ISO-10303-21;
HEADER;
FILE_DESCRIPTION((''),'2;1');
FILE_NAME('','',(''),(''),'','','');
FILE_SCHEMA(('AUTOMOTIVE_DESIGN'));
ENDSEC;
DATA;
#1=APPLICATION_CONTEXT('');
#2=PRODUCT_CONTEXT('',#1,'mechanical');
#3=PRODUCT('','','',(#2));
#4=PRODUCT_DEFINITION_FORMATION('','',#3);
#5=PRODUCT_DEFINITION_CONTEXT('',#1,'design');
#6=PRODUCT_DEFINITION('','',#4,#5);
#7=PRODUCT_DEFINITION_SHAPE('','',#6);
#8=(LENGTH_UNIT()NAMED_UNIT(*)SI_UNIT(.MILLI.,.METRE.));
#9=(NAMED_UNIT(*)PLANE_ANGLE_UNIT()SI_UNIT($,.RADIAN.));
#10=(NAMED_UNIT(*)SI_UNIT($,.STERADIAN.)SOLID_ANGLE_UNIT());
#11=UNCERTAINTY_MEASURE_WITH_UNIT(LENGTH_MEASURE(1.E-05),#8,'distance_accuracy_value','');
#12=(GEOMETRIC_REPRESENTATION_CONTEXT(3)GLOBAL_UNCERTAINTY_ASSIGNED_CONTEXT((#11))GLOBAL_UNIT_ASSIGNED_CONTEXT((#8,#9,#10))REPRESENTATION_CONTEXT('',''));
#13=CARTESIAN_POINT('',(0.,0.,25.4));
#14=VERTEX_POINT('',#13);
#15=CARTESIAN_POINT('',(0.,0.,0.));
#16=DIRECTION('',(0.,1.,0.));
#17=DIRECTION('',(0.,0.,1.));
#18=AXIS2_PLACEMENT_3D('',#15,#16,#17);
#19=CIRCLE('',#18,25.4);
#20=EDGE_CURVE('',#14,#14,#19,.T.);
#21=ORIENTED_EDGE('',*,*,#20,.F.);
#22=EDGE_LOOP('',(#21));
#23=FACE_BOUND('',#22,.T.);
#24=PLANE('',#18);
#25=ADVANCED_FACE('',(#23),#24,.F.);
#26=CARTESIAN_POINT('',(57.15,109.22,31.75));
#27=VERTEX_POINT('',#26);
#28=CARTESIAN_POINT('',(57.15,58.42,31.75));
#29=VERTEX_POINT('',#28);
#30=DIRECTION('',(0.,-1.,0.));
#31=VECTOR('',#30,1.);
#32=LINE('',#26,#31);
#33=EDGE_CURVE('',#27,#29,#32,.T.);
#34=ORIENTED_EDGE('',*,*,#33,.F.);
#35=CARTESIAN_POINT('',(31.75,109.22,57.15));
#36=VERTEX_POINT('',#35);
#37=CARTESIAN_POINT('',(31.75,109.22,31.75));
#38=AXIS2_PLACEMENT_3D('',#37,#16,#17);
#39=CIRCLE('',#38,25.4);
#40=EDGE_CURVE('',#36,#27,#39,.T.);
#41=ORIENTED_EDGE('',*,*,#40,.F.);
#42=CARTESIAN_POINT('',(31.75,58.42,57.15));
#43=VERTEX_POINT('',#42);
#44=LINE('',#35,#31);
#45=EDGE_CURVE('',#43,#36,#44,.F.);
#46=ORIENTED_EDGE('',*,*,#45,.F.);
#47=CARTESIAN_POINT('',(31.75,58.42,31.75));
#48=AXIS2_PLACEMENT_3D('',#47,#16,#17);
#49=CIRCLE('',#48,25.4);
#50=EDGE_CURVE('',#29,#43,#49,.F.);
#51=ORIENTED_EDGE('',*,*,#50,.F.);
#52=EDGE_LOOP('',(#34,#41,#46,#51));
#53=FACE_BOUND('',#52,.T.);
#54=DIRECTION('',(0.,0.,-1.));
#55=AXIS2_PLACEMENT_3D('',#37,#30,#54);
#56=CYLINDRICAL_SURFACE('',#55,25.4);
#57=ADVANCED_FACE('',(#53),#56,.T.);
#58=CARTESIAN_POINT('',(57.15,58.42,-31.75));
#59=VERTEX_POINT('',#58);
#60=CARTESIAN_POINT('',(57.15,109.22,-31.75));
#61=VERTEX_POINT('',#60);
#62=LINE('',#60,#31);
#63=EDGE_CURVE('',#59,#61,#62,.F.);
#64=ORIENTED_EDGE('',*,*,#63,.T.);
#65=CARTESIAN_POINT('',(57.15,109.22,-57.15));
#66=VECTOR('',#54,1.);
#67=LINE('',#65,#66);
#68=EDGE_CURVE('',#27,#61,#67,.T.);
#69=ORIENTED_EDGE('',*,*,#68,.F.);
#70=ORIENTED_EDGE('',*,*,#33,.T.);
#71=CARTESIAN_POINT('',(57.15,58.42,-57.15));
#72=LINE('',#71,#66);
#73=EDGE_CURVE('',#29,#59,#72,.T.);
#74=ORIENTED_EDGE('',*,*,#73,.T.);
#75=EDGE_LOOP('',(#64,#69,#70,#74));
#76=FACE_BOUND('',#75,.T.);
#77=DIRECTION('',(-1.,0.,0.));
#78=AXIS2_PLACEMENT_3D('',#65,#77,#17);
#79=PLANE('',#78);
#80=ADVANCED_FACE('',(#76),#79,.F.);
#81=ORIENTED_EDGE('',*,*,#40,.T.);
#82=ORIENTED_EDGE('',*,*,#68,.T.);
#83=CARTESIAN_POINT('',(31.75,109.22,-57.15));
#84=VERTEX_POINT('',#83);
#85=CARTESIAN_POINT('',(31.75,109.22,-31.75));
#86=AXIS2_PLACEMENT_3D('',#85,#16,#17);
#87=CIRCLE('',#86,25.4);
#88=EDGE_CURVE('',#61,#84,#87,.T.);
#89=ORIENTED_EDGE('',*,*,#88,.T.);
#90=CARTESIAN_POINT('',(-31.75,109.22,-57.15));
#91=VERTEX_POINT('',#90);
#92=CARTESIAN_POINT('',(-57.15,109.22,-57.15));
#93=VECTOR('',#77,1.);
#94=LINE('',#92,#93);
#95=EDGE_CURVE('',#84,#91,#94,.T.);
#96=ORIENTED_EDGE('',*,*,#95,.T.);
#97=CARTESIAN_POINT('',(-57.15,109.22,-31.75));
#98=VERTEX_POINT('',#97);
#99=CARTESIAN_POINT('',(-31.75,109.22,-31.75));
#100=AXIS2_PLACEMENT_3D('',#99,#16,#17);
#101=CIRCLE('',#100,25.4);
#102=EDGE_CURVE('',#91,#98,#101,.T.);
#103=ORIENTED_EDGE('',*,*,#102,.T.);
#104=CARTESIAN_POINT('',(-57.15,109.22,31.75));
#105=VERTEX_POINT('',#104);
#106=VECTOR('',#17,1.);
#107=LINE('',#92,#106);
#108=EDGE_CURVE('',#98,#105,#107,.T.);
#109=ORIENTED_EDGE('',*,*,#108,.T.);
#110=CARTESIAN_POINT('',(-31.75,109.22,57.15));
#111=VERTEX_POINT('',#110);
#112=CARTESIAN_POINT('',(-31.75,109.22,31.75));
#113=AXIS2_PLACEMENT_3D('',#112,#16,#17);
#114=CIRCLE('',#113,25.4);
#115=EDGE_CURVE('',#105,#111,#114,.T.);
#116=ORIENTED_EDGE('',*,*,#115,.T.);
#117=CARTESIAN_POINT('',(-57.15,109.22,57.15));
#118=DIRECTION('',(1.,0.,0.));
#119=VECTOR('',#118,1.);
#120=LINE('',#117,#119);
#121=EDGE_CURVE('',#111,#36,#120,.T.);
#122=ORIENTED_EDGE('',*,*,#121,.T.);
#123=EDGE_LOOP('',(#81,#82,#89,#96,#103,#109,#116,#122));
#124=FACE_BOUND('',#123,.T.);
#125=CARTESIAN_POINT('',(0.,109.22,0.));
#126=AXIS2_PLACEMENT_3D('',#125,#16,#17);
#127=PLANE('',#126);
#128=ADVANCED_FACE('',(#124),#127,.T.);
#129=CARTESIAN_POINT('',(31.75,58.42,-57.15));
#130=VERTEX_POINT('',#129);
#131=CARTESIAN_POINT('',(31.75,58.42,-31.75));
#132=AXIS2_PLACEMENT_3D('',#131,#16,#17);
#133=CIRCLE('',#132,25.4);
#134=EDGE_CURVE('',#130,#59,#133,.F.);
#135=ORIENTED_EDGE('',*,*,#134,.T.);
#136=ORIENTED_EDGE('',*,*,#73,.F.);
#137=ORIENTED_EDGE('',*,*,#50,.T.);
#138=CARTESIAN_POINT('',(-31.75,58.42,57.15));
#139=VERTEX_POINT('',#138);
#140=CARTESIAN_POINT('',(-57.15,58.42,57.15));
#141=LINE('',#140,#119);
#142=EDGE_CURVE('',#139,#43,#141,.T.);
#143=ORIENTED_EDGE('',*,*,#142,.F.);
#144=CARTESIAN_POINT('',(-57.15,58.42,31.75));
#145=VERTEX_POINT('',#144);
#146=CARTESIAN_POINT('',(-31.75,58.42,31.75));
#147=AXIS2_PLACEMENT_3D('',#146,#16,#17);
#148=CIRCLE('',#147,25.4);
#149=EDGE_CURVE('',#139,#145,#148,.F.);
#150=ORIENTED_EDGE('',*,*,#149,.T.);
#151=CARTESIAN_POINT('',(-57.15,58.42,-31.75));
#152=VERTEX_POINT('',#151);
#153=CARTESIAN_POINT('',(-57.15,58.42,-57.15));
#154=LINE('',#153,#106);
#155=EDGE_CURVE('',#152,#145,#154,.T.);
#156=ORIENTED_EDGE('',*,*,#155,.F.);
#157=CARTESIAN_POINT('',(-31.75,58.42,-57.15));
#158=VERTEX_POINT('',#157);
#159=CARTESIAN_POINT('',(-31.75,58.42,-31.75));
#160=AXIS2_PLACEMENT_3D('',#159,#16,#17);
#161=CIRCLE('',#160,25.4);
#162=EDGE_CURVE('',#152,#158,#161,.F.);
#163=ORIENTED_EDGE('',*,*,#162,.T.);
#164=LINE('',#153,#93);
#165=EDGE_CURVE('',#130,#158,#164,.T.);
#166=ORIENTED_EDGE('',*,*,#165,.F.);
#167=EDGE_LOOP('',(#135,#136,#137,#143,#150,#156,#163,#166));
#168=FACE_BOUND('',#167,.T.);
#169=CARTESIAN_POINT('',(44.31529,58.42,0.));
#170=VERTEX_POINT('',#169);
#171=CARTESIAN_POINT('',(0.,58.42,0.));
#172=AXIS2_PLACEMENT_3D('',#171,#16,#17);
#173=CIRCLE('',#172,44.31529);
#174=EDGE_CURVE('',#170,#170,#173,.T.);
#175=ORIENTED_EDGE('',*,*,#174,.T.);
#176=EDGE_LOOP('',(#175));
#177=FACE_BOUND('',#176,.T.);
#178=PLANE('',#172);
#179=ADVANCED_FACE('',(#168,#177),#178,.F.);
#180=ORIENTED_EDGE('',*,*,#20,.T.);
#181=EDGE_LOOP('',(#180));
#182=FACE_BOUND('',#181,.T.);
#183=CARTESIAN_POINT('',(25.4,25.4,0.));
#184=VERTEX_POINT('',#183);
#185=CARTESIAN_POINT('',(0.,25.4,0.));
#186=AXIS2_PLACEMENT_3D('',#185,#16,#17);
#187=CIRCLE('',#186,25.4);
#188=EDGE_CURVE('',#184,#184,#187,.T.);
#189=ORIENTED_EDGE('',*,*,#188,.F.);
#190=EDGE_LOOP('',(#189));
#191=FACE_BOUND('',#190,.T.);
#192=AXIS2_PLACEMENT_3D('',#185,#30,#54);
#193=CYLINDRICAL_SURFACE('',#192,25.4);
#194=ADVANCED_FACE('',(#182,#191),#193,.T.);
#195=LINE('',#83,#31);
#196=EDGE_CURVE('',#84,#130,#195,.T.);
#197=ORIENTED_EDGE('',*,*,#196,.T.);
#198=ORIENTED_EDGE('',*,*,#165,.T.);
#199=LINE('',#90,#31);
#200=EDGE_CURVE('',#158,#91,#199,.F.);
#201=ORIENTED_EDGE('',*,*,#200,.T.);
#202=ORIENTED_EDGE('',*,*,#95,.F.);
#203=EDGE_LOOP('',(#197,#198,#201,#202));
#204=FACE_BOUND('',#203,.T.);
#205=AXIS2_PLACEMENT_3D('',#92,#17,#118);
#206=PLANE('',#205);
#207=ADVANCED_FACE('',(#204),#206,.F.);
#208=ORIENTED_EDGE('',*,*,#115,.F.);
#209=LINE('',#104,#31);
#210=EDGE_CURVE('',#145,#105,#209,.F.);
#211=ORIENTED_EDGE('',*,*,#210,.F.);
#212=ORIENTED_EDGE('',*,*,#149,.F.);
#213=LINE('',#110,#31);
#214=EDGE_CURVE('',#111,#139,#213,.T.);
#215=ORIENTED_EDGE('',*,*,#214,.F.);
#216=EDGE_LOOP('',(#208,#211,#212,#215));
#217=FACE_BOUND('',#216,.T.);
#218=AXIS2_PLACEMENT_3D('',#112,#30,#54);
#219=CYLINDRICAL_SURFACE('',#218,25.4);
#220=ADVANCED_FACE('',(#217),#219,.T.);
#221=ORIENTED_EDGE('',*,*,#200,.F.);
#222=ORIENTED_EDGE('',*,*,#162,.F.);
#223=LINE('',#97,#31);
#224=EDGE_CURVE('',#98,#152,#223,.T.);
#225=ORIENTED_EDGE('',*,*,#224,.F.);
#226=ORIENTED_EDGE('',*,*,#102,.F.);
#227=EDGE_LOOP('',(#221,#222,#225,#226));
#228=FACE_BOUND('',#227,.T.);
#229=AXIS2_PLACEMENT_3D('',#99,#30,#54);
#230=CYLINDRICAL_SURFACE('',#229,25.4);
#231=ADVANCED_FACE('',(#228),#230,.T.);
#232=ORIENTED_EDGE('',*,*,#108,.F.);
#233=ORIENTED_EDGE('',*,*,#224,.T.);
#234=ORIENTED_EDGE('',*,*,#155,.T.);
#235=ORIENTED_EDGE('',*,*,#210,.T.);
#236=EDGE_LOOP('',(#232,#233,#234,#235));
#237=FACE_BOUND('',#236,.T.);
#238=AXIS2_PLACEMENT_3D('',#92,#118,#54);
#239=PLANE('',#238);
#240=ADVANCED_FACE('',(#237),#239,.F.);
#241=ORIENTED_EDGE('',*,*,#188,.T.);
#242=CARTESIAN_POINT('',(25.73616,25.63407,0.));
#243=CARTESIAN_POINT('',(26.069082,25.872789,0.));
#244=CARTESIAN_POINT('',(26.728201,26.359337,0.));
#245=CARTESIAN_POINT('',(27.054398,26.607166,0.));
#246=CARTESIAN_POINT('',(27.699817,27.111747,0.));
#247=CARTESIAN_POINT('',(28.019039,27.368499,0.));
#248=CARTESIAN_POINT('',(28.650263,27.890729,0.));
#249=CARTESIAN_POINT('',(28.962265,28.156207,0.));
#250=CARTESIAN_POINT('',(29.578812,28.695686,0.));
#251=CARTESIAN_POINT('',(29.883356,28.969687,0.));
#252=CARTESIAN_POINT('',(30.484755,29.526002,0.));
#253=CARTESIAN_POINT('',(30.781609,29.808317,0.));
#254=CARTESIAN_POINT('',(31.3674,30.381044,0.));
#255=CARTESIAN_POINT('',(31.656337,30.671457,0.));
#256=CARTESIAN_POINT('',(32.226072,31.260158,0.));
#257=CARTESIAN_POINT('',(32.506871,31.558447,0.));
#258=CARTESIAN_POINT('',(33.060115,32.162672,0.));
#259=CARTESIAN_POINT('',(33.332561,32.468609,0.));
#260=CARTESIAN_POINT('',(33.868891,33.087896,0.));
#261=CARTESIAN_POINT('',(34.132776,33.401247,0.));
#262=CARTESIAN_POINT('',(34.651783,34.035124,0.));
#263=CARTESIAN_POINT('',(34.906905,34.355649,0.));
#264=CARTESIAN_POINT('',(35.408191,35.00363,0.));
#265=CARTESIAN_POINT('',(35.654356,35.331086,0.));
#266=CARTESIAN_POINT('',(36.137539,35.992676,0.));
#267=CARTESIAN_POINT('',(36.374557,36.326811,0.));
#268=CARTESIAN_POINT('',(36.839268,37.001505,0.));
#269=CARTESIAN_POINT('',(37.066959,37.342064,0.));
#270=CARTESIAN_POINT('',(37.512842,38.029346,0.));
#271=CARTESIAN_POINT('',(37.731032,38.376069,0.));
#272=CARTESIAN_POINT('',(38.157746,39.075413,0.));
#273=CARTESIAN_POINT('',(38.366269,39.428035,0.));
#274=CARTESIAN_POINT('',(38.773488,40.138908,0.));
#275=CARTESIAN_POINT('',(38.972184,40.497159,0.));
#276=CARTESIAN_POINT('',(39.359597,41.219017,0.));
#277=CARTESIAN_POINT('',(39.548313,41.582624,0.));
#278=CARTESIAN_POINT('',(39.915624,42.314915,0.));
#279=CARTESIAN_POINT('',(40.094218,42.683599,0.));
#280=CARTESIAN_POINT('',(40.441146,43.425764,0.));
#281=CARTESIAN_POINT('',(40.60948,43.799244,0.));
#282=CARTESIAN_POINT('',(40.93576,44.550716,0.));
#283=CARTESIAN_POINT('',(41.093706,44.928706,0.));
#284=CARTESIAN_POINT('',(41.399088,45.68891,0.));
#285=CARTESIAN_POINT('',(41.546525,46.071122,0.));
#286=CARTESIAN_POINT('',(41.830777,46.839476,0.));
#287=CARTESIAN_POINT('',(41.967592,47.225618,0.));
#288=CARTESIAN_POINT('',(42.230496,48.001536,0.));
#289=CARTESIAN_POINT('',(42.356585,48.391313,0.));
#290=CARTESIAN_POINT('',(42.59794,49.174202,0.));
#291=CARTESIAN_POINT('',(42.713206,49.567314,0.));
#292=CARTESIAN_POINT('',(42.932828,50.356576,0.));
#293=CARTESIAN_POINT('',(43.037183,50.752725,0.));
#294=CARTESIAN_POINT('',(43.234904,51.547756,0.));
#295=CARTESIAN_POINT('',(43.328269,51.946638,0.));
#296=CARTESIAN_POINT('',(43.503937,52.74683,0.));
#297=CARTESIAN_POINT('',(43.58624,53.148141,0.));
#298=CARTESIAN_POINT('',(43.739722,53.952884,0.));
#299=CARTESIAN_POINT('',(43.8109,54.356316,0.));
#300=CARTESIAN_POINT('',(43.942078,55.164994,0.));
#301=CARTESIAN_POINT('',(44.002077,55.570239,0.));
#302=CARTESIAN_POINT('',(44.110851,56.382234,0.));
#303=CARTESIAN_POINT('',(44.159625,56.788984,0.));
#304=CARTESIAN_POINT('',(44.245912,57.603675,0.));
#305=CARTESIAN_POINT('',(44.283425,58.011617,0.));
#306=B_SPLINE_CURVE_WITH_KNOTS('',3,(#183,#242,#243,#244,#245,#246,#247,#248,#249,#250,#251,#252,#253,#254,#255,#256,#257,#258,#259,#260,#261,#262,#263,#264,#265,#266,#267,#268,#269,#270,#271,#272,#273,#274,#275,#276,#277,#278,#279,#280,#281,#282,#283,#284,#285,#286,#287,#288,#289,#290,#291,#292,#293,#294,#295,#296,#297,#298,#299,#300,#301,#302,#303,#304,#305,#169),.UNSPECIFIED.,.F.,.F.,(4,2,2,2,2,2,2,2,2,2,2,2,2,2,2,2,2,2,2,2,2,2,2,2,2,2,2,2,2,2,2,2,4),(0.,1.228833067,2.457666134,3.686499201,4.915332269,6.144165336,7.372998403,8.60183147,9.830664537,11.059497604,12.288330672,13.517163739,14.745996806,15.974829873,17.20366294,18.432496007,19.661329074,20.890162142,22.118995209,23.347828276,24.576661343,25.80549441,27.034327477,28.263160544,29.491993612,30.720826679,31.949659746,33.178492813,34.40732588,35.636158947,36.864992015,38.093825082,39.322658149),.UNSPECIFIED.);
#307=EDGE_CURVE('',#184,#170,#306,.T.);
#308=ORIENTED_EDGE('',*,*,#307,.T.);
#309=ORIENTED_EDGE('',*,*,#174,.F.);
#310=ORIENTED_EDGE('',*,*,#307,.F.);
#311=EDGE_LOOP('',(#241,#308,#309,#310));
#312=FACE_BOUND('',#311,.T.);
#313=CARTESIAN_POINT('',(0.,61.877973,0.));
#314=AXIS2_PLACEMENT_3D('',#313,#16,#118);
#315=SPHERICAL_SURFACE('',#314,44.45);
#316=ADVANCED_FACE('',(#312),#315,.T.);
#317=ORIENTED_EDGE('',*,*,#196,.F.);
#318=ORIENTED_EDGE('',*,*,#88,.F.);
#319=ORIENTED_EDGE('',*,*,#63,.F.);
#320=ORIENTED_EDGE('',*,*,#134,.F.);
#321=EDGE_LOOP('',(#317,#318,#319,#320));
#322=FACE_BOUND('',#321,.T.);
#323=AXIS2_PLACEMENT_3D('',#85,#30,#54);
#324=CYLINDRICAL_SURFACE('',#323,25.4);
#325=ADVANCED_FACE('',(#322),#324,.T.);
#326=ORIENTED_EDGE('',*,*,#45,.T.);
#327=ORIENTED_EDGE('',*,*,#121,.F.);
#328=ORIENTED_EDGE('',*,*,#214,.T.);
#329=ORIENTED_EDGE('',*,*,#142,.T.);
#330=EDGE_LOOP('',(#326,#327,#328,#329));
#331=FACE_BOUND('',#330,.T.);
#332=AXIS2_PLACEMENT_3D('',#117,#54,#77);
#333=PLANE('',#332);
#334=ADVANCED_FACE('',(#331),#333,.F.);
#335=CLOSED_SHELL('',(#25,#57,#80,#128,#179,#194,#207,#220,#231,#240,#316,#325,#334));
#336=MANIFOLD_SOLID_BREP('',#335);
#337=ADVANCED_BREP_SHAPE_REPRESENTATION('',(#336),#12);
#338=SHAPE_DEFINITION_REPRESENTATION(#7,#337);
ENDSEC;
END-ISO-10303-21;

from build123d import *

# Parameters (mm, degrees)
SKETCH1_R           = 25.4
BOSS_EXTRUDE1_DEPTH = 25.4
SKETCH3_W           = 114.3
SKETCH3_H           = 114.3
BOSS_EXTRUDE2_DEPTH = 50.8
FILLET1_R           = 25.4


with BuildPart() as part:
    # Sketch1 → Boss-Extrude1 (new body)
    with BuildSketch(Plane(origin=(0, 0, 0), x_dir=(1, 0, 0), z_dir=(0, 1, 0))):
        with Locations(Location((0, 0, 0), (0, 0, 270))):
            Circle(SKETCH1_R)
    extrude(amount=BOSS_EXTRUDE1_DEPTH)

    # Sketch2 one side → Revolve1 (revolve)
    with BuildSketch(Plane.XY):
        with BuildLine():
            Line((25.4, 25.4), (0, 25.4))
            Line((0, 25.4), (0, 17.427972806))
            ThreePointArc((0, 17.427972806), (13.310834098, 19.467783044), (25.4, 25.4))
        make_face()
        with BuildLine():
            ThreePointArc((44.45, 61.877972806), (31.430896424, 93.308869229), (0, 106.327972806))
            Line((0, 106.327972806), (0, 25.4))
            Line((0, 25.4), (25.4, 25.4))
            ThreePointArc((25.4, 25.4), (39.400713826, 41.301621088), (44.45, 61.877972806))
        make_face()
    revolve(axis=Axis((0, 145.460296173, 0), (0, -1, 0)))

    # Sketch3 → Boss-Extrude2 (add)
    with BuildSketch(Plane(origin=(0, 58.42, 0), x_dir=(1, 0, 0), z_dir=(0, 1, 0))):
        Rectangle(SKETCH3_W, SKETCH3_H)
    extrude(amount=BOSS_EXTRUDE2_DEPTH)

    # Fillet1
    fillet1_edges = [part.edges().sort_by_distance(p)[0] for p in [
        (-57.15, 83.82, 57.15),
        (57.15, 83.82, 57.15),
        (57.15, 83.82, -57.15),
        (-57.15, 83.82, -57.15),
    ]]
    fillet(fillet1_edges, radius=FILLET1_R)


solid = part.part
